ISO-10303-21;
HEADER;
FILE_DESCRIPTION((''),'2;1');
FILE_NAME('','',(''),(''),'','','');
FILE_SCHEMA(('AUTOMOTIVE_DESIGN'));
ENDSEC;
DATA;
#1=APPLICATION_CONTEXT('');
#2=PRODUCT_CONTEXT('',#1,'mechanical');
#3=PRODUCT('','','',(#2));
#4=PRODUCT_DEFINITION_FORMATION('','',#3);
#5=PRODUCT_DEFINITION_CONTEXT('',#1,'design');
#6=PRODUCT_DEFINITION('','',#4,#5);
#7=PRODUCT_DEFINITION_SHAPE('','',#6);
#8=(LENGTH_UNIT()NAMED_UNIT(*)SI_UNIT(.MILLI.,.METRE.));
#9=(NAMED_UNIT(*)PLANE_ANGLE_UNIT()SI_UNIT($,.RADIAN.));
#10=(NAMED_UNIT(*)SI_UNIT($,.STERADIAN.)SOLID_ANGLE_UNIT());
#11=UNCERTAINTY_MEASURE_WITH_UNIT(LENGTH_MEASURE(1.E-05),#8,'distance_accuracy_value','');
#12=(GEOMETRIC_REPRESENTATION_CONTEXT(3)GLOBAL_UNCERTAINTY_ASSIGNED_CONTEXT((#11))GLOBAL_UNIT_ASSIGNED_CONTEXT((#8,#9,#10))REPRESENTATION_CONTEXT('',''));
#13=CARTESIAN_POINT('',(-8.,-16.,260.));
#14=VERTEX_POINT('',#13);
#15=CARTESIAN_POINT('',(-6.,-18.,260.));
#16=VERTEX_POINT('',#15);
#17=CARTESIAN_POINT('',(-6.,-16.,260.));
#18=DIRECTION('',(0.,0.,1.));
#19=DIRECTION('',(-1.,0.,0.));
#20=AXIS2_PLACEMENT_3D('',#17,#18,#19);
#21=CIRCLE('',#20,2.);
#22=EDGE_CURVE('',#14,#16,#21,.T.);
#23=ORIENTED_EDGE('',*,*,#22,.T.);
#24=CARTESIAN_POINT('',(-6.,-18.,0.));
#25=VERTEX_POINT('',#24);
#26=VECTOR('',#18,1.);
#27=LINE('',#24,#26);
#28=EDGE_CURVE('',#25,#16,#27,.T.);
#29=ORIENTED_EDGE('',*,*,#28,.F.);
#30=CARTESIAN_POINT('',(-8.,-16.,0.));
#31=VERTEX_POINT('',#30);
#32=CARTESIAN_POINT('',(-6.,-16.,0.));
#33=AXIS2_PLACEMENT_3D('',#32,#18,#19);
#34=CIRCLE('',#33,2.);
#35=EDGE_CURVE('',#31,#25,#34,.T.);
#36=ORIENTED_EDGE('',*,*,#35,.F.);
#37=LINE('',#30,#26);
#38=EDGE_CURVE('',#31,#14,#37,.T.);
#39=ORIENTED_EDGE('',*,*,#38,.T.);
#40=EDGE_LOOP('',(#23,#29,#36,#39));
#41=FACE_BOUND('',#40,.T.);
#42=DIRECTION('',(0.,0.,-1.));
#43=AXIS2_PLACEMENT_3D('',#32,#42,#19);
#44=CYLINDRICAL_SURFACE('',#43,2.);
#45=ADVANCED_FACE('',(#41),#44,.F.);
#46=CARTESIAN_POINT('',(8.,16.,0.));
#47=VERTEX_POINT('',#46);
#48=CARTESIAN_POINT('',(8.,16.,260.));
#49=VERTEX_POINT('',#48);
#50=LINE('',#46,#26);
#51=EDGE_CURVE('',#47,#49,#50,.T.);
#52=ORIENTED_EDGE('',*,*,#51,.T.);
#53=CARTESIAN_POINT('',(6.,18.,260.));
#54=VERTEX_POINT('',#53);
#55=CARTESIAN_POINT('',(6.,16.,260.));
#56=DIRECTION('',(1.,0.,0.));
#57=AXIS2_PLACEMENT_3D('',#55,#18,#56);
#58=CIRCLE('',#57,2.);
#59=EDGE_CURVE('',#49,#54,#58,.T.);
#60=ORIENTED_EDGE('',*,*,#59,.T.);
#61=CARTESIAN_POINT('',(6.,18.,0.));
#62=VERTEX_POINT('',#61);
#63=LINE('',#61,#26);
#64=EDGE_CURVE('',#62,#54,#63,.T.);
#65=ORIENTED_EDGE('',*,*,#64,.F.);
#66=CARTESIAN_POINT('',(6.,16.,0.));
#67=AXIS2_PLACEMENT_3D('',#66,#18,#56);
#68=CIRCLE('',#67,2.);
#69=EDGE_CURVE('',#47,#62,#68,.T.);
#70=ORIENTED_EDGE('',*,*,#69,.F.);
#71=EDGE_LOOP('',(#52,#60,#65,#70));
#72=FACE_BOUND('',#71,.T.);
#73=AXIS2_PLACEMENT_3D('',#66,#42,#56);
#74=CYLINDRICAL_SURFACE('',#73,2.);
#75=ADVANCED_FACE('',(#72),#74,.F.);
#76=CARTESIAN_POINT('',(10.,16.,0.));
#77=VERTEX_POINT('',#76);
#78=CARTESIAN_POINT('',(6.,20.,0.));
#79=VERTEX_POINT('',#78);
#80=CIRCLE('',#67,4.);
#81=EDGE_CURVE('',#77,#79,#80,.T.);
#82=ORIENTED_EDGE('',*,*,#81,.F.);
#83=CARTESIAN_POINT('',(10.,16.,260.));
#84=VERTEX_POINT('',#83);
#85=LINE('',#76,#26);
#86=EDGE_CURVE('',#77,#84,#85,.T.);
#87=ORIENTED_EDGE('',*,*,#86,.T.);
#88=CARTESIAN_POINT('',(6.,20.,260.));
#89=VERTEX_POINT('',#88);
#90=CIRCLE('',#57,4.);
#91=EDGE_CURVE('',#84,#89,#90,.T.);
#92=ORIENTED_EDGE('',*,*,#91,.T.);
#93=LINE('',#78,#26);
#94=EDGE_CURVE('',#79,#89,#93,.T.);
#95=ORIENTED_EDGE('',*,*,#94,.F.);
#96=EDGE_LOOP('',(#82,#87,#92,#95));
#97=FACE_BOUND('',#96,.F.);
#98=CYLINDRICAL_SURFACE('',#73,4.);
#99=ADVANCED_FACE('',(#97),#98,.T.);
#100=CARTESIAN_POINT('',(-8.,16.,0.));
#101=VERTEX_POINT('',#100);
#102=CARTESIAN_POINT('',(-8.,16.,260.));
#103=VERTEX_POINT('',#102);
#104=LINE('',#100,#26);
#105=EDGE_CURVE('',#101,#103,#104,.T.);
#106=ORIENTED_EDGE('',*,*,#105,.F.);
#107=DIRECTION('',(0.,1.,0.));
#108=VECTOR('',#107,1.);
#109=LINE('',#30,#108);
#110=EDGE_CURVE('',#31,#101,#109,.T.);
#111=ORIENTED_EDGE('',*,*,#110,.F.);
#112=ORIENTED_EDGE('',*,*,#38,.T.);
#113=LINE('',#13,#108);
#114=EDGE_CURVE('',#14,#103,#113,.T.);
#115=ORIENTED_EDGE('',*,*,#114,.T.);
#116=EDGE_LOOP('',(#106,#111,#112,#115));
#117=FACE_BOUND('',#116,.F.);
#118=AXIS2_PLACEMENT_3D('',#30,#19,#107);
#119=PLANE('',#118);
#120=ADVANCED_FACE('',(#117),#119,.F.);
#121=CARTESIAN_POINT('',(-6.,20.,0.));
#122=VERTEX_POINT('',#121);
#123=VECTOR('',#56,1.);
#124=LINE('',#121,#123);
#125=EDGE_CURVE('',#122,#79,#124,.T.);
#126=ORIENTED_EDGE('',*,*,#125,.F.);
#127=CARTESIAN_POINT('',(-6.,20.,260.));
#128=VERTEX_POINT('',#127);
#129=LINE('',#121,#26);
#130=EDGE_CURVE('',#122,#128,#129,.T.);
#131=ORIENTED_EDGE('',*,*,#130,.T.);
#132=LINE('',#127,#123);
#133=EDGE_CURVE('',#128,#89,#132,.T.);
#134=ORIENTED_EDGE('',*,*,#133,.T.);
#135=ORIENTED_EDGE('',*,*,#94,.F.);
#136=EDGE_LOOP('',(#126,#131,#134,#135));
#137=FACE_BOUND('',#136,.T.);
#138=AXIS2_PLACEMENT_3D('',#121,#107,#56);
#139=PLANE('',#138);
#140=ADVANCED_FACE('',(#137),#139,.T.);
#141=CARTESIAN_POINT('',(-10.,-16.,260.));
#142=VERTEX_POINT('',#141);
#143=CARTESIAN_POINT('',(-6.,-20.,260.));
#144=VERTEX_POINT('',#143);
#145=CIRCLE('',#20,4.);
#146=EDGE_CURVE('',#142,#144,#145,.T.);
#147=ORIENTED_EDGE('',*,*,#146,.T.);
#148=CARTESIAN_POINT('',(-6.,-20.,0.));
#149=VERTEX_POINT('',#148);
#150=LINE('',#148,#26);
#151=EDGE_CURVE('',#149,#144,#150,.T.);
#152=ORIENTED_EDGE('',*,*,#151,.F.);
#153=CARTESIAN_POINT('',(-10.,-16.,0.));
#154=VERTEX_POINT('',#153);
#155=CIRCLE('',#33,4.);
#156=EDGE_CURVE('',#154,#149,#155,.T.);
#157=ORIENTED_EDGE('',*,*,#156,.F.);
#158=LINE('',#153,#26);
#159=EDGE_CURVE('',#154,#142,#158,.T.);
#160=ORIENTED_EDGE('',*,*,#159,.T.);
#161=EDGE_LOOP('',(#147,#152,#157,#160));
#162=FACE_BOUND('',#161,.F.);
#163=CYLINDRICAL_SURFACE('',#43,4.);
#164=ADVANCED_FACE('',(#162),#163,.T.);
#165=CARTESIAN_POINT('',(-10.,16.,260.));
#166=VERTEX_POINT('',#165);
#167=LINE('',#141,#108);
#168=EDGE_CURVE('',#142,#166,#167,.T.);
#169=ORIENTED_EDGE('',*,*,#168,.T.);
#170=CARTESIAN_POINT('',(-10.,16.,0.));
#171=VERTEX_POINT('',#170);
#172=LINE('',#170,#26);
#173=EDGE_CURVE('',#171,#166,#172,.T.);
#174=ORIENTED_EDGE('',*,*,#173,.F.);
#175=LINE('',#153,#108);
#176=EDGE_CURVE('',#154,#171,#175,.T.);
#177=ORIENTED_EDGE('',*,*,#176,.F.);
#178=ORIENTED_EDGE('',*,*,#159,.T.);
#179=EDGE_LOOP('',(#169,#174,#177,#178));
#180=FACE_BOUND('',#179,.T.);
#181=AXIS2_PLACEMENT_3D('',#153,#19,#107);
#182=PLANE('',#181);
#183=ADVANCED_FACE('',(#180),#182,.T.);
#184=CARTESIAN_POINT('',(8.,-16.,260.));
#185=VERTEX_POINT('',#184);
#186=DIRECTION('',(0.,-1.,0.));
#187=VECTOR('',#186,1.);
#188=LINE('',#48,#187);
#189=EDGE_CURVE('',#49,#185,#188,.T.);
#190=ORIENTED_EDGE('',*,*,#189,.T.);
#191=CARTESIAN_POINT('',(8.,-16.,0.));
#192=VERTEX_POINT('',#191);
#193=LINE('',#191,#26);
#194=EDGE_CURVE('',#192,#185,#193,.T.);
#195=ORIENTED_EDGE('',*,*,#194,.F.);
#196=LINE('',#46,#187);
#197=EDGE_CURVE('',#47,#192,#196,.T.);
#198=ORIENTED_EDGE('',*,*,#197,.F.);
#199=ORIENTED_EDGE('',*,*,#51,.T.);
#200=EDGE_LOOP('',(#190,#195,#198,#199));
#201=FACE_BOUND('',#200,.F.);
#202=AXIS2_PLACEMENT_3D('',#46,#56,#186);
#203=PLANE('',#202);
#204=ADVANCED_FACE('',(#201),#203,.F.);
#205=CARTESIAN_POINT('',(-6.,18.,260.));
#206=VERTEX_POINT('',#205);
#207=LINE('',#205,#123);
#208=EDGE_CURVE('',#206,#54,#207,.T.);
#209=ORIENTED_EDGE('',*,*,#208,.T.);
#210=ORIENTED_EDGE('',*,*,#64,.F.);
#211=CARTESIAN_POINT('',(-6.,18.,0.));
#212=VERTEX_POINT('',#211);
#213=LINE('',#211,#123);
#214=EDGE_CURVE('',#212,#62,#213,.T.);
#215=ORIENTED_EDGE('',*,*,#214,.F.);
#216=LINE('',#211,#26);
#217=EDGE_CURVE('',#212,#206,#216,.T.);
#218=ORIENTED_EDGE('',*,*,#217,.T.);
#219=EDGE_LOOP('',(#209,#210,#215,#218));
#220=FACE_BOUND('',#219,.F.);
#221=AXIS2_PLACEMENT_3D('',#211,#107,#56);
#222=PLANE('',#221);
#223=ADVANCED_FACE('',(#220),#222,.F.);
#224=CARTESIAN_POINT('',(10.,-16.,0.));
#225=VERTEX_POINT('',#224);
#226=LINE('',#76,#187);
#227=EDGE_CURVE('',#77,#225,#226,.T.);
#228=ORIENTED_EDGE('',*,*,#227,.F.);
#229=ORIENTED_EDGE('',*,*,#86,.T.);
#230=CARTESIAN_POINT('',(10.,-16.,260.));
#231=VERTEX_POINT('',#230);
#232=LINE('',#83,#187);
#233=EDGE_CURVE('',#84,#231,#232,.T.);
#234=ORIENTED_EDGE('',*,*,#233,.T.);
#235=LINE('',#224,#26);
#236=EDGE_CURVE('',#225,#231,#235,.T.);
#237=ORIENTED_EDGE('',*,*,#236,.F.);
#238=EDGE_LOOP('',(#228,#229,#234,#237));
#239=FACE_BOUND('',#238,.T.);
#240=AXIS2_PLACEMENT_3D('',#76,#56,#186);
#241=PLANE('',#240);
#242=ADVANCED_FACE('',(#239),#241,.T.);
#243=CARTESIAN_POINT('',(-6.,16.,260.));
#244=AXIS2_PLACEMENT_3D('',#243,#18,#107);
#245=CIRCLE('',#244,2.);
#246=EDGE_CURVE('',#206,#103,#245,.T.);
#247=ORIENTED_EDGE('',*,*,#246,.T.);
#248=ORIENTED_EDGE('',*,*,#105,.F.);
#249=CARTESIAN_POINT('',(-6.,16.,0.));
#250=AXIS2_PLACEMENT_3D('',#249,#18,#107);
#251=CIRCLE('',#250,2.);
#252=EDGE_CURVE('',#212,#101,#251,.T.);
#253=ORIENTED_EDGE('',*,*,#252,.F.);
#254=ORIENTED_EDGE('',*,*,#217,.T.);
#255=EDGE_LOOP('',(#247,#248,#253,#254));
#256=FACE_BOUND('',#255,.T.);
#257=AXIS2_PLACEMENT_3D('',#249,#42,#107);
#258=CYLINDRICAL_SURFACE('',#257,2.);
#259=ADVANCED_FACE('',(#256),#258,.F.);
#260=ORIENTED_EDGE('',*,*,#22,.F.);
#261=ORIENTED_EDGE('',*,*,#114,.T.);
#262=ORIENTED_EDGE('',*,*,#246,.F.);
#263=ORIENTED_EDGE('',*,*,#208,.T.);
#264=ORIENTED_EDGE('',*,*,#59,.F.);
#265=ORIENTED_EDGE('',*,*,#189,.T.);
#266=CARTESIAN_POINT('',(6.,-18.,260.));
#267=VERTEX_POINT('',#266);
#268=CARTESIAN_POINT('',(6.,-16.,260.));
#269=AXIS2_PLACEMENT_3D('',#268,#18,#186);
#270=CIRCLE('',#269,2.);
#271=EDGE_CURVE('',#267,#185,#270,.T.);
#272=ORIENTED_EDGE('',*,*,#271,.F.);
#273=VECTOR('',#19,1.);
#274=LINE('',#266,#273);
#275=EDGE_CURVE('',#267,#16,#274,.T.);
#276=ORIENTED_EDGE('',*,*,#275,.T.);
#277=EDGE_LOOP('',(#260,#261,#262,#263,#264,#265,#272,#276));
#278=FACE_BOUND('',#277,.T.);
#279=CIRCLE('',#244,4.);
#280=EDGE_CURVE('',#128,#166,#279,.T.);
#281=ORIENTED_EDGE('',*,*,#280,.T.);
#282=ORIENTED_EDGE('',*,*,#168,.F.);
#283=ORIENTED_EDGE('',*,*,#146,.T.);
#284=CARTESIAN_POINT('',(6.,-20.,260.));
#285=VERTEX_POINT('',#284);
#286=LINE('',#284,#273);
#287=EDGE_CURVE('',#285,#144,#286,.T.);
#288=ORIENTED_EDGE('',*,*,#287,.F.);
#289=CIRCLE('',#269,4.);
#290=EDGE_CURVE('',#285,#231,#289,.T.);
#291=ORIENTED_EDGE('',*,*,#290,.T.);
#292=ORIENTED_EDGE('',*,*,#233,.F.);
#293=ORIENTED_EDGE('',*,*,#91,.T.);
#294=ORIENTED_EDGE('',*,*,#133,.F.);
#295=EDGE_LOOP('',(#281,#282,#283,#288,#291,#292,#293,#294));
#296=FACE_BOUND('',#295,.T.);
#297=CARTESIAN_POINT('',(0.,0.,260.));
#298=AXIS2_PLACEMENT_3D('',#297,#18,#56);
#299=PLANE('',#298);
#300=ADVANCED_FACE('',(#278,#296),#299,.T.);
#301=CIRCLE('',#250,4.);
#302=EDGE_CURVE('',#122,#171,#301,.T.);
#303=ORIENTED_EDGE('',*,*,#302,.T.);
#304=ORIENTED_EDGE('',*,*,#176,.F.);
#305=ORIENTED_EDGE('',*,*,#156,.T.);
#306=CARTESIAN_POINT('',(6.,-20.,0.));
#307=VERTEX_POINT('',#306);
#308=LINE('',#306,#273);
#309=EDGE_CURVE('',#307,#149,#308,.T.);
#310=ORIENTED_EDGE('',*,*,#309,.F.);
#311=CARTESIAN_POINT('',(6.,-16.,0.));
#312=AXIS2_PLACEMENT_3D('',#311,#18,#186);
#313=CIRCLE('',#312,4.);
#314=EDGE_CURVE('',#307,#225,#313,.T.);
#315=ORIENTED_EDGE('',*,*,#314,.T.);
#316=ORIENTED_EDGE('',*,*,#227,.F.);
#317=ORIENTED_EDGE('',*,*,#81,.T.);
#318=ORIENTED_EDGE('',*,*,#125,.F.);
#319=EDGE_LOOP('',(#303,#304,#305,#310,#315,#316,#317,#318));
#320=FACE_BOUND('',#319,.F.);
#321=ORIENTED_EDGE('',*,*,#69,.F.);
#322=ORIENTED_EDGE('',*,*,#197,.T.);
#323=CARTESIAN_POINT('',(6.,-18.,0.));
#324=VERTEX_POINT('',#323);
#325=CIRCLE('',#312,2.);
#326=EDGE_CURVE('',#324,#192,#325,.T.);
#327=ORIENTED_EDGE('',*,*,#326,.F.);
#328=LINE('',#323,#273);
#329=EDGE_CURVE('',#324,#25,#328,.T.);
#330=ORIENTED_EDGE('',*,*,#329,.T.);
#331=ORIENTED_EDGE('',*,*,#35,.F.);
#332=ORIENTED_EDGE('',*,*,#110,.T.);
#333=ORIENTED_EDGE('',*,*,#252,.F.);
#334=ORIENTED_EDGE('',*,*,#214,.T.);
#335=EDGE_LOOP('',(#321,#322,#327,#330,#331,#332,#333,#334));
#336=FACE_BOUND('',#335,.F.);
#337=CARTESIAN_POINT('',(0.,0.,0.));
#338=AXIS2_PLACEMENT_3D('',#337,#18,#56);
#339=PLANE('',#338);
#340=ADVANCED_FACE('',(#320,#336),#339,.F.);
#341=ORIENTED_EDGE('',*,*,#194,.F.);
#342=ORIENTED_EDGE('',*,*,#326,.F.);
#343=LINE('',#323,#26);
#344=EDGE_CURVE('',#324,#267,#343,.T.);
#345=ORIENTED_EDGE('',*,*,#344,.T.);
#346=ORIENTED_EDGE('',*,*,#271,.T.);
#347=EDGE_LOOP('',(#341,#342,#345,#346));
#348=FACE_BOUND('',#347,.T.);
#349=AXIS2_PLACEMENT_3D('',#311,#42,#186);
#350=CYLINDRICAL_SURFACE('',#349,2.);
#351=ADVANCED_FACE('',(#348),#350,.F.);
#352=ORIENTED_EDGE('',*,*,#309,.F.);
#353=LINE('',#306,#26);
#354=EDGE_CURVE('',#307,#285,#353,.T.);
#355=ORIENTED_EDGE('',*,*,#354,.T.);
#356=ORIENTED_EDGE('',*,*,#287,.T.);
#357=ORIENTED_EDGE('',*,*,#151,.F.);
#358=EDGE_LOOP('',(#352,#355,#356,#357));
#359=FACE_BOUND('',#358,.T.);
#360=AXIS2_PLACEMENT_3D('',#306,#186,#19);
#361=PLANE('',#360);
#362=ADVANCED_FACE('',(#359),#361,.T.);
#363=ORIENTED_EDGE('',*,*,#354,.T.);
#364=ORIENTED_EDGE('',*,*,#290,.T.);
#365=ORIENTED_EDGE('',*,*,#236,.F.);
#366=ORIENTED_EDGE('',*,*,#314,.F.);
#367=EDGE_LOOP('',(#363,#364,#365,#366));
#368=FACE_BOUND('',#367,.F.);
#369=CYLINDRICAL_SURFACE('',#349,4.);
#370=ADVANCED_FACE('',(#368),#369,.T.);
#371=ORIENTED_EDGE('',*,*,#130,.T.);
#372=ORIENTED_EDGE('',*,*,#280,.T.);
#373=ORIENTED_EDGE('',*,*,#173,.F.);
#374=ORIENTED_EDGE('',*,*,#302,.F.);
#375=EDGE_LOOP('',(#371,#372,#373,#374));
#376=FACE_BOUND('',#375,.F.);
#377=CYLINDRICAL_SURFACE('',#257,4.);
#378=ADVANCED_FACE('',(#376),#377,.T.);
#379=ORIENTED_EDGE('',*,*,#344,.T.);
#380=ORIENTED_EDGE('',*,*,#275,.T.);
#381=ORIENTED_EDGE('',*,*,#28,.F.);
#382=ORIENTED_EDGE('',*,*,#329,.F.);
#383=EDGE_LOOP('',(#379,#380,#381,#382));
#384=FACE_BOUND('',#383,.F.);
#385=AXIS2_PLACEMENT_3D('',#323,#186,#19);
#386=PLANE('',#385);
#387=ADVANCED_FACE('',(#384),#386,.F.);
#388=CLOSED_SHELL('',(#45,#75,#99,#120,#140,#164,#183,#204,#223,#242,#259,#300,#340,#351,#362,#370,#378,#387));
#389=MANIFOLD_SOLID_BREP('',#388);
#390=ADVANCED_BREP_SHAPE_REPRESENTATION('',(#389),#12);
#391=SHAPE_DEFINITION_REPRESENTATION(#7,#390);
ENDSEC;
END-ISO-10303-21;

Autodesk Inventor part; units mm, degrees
ref_plane "YZ Plane" through (0, 0, 0) normal (1, 0, 0) x (0, 1, 0)
ref_plane "Start Plane" through (0, 0, 0) normal (0, 0, 1) x (1, 0, 0)
ref_plane "End Plane" through (0, 0, 260) normal (0, 0, 1) x (1, 0, 0)
sketch "Sketch" plane through (0, 0, 0) normal (0, 0, 1) x (1, 0, 0)
  line L0 (-10, -16) -> (-10, 16)
  line L1 (-6, 20) -> (6, 20)
  line L2 (10, 16) -> (10, -16)
  line L3 (6, -20) -> (-6, -20)
  arc A0 (-10, -16) -> (-6, -20) centre (-6, -16) ccw
  arc A1 (10, 16) -> (6, 20) centre (6, 16) ccw
  arc A2 (-6, 20) -> (-10, 16) centre (-6, 16) ccw
  arc A3 (6, -20) -> (10, -16) centre (6, -16) ccw
  arc A4 (-6, 18) -> (-8, 16) centre (-6, 16) ccw
  line L4 (-6, 18) -> (6, 18)
  arc A5 (8, 16) -> (6, 18) centre (6, 16) ccw
  line L5 (8, 16) -> (8, -16)
  arc A6 (6, -18) -> (8, -16) centre (6, -16) ccw
  line L6 (6, -18) -> (-6, -18)
  arc A7 (-8, -16) -> (-6, -18) centre (-6, -16) ccw
  line L7 (-8, -16) -> (-8, 16)
  line L8 (0, 29.1598) -> (0, -29.1598) construction
  line L9 (-15.1598, 0) -> (15.1598, 0) construction
  dimension "d7" = 4
  dimension "d9" = 20
  dimension "d11" = 40
  dimension "d12" = 2
  dimension "d15" = 10
  dimension "d16" = 20
extrude "Body" add sketch "Sketch" along normal up to surface (260 mm away) from surface at 0
sketch "Sketch3" plane through (0, 0, 0) normal (0, 0, 1) x (1, 0, 0)
  line L0 (0, 0) -> (10, 0)
ref_plane "Work Plane3" through (0, 0, 0) normal (0, -1, 0) x (1, 0, 0)
sketch "Sketch4" plane through (0, 0, 0) normal (0, -1, 0) x (1, 0, 0)
  line L0 (-2, 0) -> (12, 0) projected
  line L1 (-2, 260) -> (12, 260) projected
  dimension "d18" = 260
equation "\"d7\" = G_IR"
equation "\"d9\" = G_W"
equation "\"d11\" = G_H"
equation "\"d12\" = G_T"
equation "\"d15\" = 0.5 * d9"
equation "\"d16\" = 0.5 * d11"
equation "\"d3\" = G_L"
equation "\"G_W\" = 20"
equation "\"G_H\" = 40"
equation "\"G_T\" = 2"
equation "\"G_IR\" = 4"
equation "\"G_L\" = d18"
equation "\"G_OFFSET_START\" = 0"
equation "\"G_OFFSET_END\" = 0"
properties part number "ISO 4019 - 40x20x2 - 260" material "Steel, Mild"
